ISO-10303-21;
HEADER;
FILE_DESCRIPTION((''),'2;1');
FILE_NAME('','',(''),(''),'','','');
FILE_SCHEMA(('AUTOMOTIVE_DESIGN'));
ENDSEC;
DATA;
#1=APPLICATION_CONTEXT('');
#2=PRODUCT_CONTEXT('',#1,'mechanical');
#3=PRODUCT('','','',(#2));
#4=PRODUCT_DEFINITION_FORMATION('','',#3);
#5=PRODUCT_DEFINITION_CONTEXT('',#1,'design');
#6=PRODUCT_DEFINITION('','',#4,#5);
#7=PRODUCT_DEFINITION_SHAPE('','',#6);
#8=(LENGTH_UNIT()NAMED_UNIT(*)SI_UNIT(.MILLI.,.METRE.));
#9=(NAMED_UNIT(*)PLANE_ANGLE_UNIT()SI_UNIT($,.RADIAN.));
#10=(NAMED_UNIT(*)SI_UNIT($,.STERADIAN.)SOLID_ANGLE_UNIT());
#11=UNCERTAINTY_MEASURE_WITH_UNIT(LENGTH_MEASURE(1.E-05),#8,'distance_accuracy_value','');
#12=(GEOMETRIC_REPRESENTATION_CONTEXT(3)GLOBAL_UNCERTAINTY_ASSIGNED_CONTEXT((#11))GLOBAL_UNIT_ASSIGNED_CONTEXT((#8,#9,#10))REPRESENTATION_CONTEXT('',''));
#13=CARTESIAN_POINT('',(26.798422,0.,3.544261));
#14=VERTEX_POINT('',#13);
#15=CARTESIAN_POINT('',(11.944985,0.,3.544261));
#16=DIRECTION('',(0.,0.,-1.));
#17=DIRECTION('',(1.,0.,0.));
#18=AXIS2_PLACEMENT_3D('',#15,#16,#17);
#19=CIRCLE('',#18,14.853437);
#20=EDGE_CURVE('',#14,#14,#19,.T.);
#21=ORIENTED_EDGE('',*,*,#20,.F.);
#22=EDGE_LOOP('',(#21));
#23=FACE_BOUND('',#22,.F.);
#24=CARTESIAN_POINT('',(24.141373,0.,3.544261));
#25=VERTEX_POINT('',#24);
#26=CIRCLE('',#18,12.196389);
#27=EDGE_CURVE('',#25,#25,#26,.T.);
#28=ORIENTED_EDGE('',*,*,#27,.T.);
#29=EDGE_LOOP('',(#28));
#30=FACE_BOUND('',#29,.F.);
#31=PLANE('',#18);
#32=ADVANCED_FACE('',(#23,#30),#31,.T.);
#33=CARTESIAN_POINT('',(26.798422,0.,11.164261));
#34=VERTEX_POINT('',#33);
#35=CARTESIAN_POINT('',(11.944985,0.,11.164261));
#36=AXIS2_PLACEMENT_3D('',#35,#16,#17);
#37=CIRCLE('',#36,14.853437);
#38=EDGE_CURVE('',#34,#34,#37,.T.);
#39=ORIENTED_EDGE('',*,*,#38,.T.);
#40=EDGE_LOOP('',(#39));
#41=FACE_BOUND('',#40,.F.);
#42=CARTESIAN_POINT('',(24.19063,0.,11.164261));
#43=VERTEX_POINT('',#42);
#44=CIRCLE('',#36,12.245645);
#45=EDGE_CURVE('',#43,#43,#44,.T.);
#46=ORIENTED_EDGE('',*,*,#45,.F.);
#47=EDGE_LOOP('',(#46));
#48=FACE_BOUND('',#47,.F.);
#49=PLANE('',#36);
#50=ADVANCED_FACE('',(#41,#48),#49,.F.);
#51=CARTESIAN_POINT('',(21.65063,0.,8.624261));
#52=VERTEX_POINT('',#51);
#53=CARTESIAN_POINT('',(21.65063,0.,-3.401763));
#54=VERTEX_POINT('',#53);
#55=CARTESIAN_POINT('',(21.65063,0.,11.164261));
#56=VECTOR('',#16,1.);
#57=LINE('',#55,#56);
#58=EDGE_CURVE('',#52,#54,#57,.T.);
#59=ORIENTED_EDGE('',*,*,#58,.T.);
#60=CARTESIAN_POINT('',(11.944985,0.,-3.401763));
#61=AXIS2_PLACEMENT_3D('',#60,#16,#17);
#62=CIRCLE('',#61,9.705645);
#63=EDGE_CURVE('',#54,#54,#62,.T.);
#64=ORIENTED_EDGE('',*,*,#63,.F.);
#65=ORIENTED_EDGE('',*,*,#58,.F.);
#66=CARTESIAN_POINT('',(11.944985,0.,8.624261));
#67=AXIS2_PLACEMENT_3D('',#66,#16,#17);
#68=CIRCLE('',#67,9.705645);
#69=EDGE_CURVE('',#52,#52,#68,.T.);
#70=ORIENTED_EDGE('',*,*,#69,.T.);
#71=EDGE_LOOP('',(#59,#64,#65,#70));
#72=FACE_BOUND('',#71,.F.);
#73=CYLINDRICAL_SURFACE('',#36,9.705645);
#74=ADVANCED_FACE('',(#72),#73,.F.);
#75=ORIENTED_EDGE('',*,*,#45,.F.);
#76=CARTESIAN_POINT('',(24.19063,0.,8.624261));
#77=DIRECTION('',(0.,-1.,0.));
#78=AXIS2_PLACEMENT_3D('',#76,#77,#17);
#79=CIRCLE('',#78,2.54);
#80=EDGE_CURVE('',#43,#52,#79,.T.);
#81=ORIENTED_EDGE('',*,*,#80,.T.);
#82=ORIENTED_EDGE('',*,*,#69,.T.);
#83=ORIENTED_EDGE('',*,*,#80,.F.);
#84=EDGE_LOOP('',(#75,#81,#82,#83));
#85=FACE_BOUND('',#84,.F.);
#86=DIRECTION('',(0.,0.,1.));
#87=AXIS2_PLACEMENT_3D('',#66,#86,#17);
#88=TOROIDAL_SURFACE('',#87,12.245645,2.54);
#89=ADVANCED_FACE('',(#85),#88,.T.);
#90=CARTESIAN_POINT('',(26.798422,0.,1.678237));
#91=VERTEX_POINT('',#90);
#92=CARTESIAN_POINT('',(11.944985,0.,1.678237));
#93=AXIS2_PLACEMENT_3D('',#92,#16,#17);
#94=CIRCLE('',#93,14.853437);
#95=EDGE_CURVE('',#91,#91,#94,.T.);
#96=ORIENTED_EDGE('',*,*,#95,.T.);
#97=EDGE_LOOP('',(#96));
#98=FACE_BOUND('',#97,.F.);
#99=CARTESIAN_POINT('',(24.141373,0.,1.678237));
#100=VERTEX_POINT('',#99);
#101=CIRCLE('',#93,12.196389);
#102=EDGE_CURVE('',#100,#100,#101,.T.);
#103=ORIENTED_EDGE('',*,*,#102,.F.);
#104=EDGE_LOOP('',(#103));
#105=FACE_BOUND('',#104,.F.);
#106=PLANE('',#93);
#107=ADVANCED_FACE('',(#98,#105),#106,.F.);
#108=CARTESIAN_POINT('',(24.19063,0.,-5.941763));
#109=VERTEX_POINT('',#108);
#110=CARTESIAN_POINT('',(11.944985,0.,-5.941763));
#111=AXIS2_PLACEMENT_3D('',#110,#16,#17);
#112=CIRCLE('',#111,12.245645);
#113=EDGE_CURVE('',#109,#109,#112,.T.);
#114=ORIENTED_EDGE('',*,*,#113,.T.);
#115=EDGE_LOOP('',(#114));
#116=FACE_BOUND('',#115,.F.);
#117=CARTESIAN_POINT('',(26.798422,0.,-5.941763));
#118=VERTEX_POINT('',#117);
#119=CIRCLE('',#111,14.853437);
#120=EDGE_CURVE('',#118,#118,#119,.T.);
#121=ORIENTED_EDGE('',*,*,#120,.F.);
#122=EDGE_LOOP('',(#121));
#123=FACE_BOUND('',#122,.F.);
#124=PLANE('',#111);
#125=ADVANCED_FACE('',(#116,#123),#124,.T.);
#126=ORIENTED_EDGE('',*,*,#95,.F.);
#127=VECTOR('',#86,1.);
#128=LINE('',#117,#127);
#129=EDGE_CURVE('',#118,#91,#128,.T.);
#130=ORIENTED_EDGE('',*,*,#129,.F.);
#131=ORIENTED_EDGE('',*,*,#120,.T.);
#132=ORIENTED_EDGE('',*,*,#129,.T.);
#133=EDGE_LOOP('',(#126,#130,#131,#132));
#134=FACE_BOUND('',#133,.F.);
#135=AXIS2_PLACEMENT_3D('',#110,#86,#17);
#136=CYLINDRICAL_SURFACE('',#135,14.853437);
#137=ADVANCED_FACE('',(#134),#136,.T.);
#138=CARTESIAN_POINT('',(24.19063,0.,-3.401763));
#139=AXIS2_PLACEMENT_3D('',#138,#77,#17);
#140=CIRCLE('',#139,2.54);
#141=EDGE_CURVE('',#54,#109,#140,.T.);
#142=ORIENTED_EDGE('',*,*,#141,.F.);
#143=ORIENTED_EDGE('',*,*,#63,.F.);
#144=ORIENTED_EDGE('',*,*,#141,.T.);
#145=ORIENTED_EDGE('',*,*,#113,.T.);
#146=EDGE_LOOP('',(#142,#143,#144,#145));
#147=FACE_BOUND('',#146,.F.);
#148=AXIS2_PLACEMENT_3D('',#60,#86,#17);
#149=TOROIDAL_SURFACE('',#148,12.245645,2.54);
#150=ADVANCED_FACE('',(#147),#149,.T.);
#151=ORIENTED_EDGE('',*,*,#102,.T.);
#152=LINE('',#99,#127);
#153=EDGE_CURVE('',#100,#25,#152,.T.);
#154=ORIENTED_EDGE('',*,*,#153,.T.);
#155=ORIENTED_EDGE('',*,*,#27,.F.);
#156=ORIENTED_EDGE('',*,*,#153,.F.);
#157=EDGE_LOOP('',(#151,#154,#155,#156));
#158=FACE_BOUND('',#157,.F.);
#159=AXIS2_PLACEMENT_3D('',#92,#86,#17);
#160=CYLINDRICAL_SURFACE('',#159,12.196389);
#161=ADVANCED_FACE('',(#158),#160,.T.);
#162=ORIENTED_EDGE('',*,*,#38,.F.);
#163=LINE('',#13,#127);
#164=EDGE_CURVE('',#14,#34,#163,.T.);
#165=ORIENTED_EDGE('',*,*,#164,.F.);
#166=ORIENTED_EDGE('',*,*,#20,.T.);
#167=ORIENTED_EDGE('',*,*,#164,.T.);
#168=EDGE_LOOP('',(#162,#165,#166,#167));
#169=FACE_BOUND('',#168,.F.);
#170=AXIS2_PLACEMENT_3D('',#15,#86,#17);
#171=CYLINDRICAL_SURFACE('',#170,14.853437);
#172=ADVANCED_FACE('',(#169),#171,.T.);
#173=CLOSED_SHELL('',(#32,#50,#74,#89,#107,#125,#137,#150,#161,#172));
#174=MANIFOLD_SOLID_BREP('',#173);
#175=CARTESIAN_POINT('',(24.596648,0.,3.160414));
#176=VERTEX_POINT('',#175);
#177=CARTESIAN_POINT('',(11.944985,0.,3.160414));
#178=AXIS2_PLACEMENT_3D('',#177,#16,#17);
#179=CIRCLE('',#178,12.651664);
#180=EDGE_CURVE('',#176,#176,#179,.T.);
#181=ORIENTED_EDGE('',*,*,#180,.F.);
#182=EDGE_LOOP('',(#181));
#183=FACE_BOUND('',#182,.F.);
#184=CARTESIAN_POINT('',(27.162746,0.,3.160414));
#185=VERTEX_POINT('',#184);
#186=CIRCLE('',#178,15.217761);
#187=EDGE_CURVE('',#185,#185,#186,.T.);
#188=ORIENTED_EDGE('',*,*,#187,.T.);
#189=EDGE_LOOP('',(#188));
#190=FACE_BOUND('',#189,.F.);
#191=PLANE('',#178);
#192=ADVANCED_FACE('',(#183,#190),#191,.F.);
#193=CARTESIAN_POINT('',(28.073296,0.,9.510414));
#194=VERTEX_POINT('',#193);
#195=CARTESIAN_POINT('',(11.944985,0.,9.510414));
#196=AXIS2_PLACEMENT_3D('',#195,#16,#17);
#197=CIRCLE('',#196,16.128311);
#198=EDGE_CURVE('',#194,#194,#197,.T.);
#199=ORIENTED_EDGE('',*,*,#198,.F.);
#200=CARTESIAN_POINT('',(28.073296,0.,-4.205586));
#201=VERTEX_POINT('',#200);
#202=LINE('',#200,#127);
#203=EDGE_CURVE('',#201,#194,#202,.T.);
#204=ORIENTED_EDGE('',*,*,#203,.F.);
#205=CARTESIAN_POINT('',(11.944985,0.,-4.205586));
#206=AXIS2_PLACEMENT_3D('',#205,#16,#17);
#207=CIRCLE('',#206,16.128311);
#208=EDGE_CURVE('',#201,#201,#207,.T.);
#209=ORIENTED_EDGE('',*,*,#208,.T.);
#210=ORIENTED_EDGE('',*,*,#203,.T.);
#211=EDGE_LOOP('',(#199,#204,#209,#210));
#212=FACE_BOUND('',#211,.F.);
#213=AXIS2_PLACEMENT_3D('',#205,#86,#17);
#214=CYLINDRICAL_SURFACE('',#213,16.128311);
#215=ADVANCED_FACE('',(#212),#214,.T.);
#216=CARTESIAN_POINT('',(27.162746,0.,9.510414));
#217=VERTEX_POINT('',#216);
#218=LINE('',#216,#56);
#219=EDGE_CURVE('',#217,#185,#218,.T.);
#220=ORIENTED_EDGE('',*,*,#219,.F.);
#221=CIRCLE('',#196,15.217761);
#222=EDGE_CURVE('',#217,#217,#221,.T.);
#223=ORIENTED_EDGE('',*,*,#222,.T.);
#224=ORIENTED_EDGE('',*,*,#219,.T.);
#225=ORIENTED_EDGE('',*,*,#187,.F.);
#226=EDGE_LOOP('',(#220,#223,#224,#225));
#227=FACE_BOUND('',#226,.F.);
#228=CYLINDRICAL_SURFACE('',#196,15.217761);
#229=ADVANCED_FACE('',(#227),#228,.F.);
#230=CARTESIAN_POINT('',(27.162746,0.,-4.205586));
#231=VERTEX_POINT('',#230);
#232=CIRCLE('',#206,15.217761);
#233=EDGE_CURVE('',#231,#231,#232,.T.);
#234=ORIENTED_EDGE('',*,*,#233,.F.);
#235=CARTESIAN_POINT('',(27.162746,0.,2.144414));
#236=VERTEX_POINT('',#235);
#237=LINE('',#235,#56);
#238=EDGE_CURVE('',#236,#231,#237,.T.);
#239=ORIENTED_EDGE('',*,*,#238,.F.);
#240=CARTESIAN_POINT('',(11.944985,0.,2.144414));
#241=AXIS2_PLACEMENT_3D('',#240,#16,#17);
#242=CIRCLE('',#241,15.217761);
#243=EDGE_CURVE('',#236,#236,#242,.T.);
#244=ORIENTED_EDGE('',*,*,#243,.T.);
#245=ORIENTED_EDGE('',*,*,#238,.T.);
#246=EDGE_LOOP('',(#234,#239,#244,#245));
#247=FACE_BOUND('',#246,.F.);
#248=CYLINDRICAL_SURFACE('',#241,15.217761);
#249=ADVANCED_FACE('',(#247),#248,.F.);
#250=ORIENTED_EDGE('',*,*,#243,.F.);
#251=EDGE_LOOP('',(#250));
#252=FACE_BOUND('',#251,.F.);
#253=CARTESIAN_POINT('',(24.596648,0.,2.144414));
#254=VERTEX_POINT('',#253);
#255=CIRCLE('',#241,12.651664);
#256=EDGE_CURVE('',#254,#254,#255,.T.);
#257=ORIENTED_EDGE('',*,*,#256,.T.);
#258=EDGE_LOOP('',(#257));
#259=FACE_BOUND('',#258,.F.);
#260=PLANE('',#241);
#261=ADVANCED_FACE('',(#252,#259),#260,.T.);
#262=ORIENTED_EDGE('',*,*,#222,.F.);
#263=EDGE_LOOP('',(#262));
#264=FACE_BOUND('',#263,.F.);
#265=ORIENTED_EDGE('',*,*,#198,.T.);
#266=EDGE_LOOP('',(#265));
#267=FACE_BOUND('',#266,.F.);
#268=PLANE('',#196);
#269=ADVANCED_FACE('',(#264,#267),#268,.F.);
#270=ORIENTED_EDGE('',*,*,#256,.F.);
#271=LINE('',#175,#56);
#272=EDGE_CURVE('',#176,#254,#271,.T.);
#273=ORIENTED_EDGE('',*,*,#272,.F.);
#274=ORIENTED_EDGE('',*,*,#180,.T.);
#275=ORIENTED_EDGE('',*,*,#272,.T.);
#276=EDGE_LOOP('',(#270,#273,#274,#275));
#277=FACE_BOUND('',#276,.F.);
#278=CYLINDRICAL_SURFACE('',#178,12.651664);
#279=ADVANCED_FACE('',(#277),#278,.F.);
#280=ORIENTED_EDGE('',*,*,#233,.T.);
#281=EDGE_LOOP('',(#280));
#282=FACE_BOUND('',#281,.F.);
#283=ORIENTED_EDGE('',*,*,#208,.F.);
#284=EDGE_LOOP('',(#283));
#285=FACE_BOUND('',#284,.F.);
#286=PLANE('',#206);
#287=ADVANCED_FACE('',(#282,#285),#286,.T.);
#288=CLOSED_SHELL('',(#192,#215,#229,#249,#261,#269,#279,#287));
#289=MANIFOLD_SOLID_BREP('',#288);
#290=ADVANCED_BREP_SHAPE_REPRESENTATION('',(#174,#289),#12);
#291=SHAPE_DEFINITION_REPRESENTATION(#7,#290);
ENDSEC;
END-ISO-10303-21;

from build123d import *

# Parameters (mm, degrees)
F2_R = 2.54


with BuildPart() as f1:
    # F0 (on Front) → F1 (revolve)
    with BuildSketch(Plane.XZ):
        Polygon((26.7984219617, 3.5442614616), (26.7984219617, 11.1642614616), (21.6506298458, 11.1642614616), (21.6506298458, -5.9417629211), (26.7984219617, -5.9417629211), (26.7984219617, 1.6782370789), (24.1413731128, 1.6782370789), (24.1413731128, 3.5442614616), align=None)
    revolve(axis=Axis((11.9449845724, 0, 2.0704427734), (0, 0, -1)))

    # F2
    f2_edges = [f1.edges().sort_by_distance(p)[0] for p in [
        (2.239339, 0, 11.164261),
        (2.239339, 0, -5.941763),
    ]]
    fillet(f2_edges, radius=F2_R)


with BuildPart() as f1b:
    # F0 (on Front) → F1, piece 2 (revolve)
    with BuildSketch(Plane.XZ):
        Polygon((28.0732959509, 9.5104135346), (27.162745595, 9.5104135346), (27.162745595, 3.1604135346), (24.5966482908, 3.1604135346), (24.5966482908, 2.1444135346), (27.162745595, 2.1444135346), (27.162745595, -4.2055864654), (28.0732959509, -4.2055864654), align=None)
    revolve(axis=Axis((11.9449845724, 0, 2.0704427734), (0, 0, -1)))


solid = Compound([f1.part, f1b.part])
